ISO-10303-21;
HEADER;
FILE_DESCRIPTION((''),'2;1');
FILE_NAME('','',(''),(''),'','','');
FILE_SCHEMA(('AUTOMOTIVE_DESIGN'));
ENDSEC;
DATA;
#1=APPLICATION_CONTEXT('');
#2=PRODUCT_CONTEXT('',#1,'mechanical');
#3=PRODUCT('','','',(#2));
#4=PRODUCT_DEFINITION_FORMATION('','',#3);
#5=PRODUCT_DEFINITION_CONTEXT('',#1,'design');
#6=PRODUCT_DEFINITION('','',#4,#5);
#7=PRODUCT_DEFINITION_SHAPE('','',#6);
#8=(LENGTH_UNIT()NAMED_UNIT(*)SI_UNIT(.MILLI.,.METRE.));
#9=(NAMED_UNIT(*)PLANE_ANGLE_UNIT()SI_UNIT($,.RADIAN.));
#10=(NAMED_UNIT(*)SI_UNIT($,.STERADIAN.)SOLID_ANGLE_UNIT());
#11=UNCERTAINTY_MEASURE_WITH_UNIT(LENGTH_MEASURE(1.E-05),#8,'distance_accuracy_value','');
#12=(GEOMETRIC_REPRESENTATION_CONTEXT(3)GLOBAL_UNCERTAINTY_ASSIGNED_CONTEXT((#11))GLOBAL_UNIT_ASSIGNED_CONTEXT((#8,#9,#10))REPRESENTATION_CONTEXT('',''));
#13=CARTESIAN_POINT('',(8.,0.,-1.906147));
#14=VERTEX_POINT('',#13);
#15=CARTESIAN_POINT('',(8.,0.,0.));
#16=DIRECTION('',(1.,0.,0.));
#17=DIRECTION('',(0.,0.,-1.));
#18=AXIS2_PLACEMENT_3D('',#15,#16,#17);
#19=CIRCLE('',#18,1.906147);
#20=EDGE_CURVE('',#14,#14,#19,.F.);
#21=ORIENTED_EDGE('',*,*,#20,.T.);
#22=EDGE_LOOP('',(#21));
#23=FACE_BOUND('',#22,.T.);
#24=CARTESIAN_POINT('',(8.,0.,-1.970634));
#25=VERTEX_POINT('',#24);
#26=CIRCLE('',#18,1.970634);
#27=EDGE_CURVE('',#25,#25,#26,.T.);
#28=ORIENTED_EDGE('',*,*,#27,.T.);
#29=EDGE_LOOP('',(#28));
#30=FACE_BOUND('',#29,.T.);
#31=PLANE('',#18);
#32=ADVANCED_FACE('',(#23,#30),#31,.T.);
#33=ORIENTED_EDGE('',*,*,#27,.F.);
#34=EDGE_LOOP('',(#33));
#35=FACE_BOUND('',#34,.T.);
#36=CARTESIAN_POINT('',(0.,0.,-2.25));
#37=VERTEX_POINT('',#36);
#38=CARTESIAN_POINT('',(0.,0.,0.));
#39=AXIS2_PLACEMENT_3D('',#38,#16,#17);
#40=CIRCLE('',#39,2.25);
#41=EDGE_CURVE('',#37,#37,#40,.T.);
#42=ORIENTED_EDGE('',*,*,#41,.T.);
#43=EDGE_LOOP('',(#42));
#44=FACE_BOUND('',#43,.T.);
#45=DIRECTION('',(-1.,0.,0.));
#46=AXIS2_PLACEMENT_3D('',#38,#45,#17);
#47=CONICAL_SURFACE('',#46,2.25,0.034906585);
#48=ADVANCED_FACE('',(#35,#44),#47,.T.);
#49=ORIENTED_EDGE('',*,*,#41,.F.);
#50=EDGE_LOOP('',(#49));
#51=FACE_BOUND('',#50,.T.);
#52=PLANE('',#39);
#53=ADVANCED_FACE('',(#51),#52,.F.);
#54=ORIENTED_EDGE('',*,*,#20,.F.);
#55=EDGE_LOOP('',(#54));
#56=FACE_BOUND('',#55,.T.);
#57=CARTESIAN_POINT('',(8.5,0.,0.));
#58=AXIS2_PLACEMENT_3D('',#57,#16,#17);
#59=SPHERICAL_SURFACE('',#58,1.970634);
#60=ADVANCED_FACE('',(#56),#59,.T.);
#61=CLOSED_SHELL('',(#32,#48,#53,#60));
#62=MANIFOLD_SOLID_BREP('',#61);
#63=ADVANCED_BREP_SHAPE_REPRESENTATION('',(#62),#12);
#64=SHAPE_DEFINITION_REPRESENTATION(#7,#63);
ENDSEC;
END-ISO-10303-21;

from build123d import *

# Parameters (mm, degrees)
SKETCH1_R           = 2.25
BOSS_EXTRUDE1_DEPTH = 8
BOSS_EXTRUDE1_TAPER = 2


with BuildPart() as part:
    # Sketch1 → Boss-Extrude1 (new body)
    with BuildSketch(Plane(origin=(0, 0, 0), x_dir=(0, 0, -1), z_dir=(1, 0, 0))):
        Circle(SKETCH1_R)
    extrude(amount=BOSS_EXTRUDE1_DEPTH, taper=BOSS_EXTRUDE1_TAPER)

    # Sketch2 → Revolve1 (revolve)
    with BuildSketch(Plane(origin=(8.5, 0, 0), x_dir=(0, 0, -1), z_dir=(1, 0, 0))):
        with BuildLine():
            Line((0, 1.970633844), (0, -1.970633844))
            ThreePointArc((0, -1.970633844), (1.970633844, 0), (0, 1.970633844))
        make_face()
    revolve(axis=Axis((8.5, 1.970633844, 0), (0, -1, 0)))


solid = part.part
